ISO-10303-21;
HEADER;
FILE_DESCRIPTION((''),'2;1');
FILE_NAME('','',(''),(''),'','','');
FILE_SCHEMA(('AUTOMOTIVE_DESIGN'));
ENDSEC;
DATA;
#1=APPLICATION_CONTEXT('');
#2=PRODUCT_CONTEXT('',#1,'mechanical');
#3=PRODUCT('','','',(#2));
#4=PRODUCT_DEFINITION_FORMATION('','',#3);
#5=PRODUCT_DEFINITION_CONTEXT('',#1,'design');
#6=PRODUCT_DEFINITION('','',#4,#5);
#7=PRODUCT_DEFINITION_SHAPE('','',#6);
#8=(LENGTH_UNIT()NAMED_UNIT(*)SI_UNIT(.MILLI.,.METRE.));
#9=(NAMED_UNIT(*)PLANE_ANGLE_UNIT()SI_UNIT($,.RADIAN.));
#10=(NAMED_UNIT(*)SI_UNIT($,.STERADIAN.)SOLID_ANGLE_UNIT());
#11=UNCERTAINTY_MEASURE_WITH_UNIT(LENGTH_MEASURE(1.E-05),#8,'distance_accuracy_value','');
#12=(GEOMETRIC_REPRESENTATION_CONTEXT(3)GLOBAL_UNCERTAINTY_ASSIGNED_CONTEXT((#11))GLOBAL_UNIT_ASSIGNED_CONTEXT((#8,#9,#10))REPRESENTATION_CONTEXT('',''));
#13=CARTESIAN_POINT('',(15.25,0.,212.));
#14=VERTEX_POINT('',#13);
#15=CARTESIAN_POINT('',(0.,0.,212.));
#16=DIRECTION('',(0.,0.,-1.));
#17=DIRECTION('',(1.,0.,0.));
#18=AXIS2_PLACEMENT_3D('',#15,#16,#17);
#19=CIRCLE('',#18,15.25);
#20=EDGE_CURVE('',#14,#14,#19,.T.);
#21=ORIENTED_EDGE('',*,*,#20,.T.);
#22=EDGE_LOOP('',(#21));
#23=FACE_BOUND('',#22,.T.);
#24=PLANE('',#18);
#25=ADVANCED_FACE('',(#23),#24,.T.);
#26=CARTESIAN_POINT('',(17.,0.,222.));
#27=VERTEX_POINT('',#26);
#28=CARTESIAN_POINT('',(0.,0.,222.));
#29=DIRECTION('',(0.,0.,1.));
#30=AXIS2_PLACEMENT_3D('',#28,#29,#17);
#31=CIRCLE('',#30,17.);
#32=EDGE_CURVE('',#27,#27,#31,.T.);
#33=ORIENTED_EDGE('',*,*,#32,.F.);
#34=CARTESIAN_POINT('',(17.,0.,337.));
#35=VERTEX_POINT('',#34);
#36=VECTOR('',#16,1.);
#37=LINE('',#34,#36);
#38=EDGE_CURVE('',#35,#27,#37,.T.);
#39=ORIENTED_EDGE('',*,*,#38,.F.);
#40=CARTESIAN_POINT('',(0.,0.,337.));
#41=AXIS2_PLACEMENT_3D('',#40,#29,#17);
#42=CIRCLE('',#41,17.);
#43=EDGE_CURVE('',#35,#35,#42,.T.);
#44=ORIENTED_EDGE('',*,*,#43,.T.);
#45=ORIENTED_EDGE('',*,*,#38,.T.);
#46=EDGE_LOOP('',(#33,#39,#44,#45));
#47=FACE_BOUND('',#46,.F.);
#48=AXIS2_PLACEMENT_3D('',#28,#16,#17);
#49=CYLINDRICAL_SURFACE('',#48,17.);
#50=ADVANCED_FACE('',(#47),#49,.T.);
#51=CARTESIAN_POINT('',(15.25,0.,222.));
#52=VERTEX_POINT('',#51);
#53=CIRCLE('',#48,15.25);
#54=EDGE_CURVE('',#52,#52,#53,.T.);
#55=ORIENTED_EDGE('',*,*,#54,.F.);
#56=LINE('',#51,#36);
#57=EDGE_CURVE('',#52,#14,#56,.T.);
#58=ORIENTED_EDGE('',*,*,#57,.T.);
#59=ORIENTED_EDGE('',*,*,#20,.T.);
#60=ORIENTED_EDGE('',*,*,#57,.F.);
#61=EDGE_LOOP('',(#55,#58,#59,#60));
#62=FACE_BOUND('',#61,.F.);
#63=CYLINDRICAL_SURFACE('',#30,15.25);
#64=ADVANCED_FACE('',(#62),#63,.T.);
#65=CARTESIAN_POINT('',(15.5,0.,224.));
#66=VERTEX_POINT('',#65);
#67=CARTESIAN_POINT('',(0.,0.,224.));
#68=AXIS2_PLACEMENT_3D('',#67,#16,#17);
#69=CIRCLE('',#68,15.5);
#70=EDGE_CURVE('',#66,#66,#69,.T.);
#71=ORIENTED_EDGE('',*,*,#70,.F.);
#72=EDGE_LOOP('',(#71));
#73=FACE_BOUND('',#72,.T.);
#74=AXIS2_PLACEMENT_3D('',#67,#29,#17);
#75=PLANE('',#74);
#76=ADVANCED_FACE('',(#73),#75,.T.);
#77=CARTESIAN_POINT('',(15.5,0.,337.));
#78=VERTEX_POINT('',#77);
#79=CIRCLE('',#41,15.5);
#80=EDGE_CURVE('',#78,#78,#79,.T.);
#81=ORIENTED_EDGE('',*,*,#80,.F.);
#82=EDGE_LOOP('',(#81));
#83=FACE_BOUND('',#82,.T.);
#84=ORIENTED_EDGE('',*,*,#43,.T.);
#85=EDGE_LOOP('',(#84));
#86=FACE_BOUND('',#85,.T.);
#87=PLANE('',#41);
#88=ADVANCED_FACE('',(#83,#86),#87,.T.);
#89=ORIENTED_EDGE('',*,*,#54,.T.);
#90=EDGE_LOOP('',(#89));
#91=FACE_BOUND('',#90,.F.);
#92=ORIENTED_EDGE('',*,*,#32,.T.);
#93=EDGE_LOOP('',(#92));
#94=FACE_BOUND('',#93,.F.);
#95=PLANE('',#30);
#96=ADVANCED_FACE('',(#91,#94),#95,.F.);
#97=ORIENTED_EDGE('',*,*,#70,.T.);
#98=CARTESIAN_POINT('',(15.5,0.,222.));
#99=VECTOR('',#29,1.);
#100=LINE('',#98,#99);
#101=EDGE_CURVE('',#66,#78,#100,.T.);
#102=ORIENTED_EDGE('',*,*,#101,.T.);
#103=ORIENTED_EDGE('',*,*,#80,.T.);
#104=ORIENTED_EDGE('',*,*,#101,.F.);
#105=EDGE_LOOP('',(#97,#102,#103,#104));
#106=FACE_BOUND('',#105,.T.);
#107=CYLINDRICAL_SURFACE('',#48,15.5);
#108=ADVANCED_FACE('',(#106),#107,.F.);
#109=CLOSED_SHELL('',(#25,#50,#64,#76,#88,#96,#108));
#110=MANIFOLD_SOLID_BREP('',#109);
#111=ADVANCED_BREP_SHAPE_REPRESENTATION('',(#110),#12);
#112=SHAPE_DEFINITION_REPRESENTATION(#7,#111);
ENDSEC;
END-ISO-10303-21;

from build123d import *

# Parameters (mm, degrees)
F1_R     = 17
F1_R_2   = 15.5
F2_DEPTH = 115
F3_R     = 17
F4_DEPTH = 2
F5_R     = 15.25
F6_DEPTH = 10


with BuildPart() as f2:
    # F1 (on offset) → F2 (new body)
    with BuildSketch(Plane.XY.offset(222)):
        Circle(F1_R)
        Circle(F1_R_2, mode=Mode.SUBTRACT)
    extrude(amount=F2_DEPTH)

    # F3 (on offset) → F4 (join)
    with BuildSketch(Plane.XY.offset(222)):
        Circle(F3_R)
    extrude(amount=F4_DEPTH)

    # F5 (on face) → F6 (join)
    with BuildSketch(Plane(origin=(0, 0, 222), x_dir=(1, 0, 0), z_dir=(0, 0, -1))):
        Circle(F5_R)
    extrude(amount=F6_DEPTH)


solid = f2.part
